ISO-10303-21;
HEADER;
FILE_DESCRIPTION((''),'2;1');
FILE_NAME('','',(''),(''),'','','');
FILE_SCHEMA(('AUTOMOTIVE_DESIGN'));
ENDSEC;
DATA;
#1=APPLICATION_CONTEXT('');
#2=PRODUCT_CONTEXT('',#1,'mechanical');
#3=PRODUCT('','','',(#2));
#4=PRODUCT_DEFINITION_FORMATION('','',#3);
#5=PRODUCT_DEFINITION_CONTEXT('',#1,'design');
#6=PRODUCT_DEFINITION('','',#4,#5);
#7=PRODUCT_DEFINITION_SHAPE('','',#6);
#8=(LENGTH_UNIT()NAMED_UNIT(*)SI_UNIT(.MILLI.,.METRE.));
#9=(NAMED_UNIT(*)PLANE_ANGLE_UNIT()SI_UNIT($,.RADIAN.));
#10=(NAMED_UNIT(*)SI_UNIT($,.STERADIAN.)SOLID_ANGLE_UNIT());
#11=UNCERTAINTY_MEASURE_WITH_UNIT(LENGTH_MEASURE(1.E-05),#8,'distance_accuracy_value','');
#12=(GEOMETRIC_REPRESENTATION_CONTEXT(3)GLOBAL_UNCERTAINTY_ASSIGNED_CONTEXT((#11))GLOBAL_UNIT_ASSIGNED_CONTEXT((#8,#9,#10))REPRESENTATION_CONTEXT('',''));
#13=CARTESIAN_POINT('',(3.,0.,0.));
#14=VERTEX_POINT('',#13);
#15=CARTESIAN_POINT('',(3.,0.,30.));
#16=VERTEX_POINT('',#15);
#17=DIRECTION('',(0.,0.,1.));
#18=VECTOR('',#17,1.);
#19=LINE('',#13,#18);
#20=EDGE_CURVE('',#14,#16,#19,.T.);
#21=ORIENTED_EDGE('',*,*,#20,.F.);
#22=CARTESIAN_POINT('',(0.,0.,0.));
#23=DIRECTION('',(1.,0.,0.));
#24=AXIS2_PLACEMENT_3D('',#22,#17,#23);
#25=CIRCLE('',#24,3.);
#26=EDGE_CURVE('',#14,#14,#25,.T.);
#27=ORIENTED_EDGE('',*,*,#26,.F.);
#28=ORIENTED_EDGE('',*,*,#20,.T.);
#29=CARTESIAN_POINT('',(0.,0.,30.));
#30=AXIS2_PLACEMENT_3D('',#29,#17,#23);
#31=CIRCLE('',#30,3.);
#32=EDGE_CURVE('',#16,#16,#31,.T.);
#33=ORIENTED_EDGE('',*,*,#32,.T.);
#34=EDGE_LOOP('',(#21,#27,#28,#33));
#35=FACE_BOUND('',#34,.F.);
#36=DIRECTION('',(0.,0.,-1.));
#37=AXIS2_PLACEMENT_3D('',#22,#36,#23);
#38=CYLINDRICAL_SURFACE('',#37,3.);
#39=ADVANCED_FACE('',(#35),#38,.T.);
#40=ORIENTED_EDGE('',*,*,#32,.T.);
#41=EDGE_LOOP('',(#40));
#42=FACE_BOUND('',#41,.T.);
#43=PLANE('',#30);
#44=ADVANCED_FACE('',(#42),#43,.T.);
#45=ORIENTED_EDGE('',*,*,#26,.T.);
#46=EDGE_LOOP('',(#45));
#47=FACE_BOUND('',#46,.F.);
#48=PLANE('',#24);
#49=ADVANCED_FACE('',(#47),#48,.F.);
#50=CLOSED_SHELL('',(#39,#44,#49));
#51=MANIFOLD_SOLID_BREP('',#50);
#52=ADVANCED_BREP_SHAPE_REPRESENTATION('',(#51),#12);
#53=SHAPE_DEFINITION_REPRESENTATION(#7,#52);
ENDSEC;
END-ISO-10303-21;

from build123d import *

# Parameters (mm, degrees)
ESQUISSE1_R        = 3
BOSS_EXTRU_1_DEPTH = 30


with BuildPart() as part:
    # Esquisse1 → Boss.-Extru.1 (new body)
    with BuildSketch(Plane.XY):
        Circle(ESQUISSE1_R)
    extrude(amount=BOSS_EXTRU_1_DEPTH)


solid = part.part
